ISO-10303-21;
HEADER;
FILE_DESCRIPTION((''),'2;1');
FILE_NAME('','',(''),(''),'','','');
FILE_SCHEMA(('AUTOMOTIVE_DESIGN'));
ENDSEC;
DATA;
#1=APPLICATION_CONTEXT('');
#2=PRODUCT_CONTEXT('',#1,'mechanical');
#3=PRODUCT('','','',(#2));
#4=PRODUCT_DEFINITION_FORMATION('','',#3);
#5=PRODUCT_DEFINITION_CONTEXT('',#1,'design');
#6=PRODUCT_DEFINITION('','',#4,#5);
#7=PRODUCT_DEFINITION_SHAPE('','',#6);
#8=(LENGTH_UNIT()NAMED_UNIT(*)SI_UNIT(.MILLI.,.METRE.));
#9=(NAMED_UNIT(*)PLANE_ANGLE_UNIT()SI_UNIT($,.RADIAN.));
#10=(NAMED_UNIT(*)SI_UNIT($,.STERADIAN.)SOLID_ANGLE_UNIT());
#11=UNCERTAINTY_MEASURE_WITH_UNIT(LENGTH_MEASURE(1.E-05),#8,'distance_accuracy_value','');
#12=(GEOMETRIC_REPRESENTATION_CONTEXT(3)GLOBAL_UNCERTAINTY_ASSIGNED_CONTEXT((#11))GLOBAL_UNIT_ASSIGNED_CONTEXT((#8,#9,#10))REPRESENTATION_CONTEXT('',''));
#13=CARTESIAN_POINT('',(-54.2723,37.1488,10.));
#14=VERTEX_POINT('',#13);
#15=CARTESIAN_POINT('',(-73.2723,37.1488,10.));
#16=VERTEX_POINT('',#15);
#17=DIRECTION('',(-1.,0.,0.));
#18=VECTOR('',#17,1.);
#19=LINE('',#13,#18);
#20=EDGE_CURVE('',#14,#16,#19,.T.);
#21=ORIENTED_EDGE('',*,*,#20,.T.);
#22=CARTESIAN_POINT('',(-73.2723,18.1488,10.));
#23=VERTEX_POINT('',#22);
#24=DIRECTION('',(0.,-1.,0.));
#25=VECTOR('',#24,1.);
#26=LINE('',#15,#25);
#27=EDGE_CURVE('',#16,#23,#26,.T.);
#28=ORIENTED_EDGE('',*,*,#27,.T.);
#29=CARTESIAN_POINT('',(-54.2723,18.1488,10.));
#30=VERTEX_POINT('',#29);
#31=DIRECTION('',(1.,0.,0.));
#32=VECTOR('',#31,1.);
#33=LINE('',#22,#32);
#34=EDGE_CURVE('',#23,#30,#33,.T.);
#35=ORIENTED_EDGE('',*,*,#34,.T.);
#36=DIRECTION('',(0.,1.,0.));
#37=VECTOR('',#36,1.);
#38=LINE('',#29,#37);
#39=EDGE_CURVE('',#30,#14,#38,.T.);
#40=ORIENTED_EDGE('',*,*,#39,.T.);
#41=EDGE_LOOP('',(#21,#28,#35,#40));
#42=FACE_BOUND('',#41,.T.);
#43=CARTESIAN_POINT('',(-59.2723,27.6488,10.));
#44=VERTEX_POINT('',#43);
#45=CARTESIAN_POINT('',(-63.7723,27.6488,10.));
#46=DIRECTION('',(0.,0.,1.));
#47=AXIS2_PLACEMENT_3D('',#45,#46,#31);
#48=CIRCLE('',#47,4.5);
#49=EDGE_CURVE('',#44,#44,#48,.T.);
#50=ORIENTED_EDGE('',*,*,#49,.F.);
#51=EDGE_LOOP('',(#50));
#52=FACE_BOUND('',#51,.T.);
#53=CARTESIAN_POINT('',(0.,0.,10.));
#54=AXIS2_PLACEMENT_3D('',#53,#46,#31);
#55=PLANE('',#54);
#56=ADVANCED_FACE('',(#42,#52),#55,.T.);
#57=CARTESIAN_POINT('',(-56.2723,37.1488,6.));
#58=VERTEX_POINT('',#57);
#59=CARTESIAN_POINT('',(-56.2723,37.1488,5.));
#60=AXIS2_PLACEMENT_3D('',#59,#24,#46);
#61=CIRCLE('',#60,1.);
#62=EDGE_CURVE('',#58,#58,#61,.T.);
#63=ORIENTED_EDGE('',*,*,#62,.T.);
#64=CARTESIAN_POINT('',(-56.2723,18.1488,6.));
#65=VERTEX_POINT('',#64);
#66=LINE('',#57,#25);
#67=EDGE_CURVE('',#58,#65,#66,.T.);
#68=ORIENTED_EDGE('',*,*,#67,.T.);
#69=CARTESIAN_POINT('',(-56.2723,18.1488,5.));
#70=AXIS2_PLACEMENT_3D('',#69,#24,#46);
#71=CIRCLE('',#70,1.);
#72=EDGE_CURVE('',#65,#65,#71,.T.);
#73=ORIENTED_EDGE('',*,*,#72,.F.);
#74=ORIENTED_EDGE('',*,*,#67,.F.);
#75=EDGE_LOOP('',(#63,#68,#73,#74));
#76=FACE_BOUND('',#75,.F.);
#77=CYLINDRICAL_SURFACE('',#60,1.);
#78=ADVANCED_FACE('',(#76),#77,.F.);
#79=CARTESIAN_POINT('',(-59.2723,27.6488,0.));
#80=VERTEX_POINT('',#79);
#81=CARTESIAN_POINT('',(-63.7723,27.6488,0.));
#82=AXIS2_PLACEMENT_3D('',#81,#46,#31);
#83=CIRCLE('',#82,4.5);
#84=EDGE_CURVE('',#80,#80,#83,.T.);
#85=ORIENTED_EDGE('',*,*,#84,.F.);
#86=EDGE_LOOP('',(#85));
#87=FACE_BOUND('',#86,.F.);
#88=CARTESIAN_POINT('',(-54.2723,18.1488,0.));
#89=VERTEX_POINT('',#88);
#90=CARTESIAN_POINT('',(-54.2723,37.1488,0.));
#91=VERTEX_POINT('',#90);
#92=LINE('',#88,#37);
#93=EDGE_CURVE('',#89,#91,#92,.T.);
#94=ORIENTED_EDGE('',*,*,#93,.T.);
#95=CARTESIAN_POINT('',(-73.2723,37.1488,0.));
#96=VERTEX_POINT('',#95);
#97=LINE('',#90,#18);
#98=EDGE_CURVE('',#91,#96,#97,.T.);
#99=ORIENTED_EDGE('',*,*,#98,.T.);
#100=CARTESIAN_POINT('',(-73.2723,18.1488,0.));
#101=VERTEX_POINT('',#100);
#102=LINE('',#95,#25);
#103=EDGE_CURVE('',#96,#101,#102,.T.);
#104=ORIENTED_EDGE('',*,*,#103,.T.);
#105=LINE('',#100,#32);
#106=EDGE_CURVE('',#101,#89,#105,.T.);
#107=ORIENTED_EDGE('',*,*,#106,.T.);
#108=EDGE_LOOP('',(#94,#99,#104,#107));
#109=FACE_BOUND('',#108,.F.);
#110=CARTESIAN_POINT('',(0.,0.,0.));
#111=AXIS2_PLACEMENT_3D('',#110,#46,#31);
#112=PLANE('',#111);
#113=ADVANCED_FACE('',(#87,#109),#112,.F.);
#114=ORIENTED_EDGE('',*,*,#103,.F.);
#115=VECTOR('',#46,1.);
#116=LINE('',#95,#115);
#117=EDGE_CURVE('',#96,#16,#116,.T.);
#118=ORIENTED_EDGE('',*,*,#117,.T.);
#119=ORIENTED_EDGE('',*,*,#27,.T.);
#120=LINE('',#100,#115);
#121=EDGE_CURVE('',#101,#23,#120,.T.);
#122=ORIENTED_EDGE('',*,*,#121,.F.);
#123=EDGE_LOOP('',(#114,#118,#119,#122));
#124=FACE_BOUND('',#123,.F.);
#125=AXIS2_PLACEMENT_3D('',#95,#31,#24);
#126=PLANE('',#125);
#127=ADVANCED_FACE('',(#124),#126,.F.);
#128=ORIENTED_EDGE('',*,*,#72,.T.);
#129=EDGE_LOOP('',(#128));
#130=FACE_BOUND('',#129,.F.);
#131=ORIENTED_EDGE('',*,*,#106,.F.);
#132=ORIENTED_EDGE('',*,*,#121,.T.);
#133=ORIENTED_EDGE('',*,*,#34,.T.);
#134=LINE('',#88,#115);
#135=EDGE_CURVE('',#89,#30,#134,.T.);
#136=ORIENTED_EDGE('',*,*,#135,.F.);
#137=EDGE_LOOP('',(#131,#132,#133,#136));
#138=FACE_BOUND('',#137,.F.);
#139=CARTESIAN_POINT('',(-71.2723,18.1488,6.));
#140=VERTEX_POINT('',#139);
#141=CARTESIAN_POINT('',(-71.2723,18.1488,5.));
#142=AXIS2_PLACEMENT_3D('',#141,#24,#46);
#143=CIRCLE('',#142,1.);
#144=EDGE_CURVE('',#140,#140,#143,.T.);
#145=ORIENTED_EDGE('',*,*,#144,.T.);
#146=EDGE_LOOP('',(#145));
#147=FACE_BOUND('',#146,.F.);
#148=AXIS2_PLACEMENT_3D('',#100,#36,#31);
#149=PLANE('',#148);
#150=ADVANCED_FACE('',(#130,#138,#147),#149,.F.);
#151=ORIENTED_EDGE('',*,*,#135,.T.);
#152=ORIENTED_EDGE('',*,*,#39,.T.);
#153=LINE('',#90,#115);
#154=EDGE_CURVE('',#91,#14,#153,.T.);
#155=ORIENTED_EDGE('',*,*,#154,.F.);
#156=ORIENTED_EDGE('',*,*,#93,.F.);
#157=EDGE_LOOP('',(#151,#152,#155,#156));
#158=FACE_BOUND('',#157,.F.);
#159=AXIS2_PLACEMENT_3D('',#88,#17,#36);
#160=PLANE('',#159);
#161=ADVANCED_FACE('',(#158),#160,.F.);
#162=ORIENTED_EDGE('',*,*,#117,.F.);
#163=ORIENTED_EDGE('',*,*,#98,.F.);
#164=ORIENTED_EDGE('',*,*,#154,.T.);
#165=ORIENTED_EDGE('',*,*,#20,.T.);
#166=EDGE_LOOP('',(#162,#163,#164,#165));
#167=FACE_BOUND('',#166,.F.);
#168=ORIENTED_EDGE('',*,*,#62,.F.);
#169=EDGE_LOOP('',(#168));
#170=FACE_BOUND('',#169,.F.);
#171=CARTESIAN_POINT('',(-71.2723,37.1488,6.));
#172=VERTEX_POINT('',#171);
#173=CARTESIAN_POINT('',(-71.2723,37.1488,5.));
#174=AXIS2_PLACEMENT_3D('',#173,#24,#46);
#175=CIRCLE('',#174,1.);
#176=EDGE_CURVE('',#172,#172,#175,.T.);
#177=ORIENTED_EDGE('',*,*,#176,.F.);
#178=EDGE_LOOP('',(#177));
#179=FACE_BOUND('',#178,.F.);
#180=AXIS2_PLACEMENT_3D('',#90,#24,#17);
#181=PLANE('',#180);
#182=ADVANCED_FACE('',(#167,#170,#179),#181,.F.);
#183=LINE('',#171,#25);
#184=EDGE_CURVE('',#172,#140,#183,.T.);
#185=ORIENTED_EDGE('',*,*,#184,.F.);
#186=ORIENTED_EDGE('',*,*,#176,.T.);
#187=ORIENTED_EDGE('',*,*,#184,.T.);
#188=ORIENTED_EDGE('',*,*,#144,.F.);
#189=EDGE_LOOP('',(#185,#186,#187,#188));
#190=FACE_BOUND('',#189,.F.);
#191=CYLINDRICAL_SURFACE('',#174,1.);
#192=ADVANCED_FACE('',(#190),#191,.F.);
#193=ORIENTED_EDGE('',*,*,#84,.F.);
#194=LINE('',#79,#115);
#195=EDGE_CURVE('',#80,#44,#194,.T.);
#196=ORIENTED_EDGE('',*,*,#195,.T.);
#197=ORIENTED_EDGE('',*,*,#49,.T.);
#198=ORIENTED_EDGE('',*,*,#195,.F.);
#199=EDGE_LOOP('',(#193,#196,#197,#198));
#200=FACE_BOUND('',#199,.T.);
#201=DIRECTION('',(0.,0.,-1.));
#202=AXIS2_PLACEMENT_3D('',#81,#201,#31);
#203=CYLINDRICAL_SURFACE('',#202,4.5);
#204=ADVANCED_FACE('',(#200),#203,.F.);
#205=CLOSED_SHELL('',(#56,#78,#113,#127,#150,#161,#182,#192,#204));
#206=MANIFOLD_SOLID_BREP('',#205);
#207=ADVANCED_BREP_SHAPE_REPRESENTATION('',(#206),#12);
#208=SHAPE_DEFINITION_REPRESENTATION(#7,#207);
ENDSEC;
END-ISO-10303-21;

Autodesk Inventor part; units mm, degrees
ref_plane "YZ Plane" through (0, 0, 0) normal (1, 0, 0) x (0, 1, 0)
ref_plane "XZ Plane" through (0, 0, 0) normal (0, 1, 0) x (-1, 0, 0)
sketch "Esquisse1" plane through (0, 0, 0) normal (0, 0, 1) x (1, 0, 0)
  line L0 (-73.2723, 18.1488) -> (-54.2723, 18.1488)
  line L1 (-54.2723, 18.1488) -> (-54.2723, 37.1488)
  line L2 (-54.2723, 37.1488) -> (-73.2723, 37.1488)
  line L3 (-73.2723, 37.1488) -> (-73.2723, 18.1488)
  circle A0 centre (-63.7723, 27.6488) radius 4.5
  point P0 (0, 0)
  dimension "d0" = 19
  dimension "d1" = 19
  dimension "d2" = 9
extrude "Extrusion1" add sketch "Esquisse1" along normal blind 10
sketch "Esquisse2" plane through (-73.2723, 37.1488, 0) normal (0, 1, 0) x (1, 0, 0)
  line L0 (0, 0) -> (0, -10) projected
  line L1 (19, 0) -> (19, -10) projected
  line L2 (19, -10) -> (0, -10) projected
  point P0 (73.2723, 0)
  point P1 (2, -5)
  point P2 (17, -5)
  dimension "d5" = 2
  dimension "d6" = 2
  dimension "d7" = 5
  dimension "d8" = 5
hole "Perçage1" at (-71.2723, 37.1488, 5) at (-56.2723, 37.1488, 5) direction (0, -1, 0) diameter 2 end through all
ref_plane "Plan de construction1" through (-63.7723, 27.6488, 10.9) normal (0, 0, 1) x (1, 0, 0)
properties part number "palier_roulement_bras"
